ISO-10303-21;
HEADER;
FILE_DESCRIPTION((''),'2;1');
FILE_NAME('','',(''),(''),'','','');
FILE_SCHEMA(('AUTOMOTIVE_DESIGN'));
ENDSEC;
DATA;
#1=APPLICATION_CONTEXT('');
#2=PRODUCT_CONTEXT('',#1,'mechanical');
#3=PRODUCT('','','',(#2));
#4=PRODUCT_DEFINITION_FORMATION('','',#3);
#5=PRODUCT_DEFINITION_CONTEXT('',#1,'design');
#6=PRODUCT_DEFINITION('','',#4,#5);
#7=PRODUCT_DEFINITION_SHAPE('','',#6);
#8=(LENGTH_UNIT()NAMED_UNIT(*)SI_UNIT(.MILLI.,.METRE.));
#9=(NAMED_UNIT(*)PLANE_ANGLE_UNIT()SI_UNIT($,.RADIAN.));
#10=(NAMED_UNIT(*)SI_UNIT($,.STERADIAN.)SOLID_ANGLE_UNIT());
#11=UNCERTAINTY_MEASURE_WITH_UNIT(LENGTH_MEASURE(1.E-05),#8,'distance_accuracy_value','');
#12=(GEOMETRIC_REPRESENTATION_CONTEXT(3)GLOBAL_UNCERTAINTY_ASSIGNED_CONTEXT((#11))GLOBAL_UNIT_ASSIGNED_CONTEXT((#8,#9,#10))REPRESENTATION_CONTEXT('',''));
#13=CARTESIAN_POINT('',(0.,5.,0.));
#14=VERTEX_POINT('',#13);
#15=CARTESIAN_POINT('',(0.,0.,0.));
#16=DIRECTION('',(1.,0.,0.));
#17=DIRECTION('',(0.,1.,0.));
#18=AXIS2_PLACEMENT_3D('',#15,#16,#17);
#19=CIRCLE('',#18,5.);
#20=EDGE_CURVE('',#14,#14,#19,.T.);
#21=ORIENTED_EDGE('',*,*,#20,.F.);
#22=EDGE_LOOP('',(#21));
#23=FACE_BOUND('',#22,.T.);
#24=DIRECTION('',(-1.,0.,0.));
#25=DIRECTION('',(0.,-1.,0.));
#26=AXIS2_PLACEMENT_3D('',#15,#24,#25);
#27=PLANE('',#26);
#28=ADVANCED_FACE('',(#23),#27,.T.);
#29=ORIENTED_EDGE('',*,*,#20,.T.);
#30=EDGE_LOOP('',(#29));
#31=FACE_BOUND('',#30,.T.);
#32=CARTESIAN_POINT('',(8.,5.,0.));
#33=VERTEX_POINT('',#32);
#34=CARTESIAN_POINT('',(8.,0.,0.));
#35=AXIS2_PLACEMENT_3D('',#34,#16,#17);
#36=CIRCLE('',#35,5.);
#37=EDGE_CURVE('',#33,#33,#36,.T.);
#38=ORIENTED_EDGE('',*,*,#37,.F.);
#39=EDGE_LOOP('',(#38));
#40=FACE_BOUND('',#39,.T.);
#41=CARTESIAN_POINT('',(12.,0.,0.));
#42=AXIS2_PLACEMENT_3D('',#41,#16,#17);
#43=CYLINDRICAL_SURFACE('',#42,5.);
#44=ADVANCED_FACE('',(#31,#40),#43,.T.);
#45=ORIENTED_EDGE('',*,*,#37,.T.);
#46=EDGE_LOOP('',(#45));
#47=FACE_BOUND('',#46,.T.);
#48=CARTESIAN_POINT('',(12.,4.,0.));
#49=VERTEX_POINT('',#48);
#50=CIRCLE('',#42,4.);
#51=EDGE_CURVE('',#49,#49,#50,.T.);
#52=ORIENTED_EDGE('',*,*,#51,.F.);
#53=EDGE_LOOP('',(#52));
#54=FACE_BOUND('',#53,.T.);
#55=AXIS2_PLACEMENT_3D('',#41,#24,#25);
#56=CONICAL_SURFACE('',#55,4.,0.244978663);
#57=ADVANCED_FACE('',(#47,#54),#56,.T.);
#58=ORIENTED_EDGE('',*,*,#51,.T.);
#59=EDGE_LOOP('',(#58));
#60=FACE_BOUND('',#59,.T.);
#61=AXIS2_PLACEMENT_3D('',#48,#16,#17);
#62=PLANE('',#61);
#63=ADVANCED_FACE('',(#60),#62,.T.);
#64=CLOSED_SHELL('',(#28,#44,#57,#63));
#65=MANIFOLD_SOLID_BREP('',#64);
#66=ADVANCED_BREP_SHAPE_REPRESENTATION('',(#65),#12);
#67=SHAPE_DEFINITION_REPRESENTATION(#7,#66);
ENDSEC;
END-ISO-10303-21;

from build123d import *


with BuildPart() as part:
    # Sketch1 → Revolve1 (revolve)
    with BuildSketch(Plane.XY):
        Polygon((0, 0), (0, 5), (8, 5), (12, 4), (12, 0), align=None)
    revolve(axis=Axis((12, 0, 0), (-1, 0, 0)))


solid = part.part
